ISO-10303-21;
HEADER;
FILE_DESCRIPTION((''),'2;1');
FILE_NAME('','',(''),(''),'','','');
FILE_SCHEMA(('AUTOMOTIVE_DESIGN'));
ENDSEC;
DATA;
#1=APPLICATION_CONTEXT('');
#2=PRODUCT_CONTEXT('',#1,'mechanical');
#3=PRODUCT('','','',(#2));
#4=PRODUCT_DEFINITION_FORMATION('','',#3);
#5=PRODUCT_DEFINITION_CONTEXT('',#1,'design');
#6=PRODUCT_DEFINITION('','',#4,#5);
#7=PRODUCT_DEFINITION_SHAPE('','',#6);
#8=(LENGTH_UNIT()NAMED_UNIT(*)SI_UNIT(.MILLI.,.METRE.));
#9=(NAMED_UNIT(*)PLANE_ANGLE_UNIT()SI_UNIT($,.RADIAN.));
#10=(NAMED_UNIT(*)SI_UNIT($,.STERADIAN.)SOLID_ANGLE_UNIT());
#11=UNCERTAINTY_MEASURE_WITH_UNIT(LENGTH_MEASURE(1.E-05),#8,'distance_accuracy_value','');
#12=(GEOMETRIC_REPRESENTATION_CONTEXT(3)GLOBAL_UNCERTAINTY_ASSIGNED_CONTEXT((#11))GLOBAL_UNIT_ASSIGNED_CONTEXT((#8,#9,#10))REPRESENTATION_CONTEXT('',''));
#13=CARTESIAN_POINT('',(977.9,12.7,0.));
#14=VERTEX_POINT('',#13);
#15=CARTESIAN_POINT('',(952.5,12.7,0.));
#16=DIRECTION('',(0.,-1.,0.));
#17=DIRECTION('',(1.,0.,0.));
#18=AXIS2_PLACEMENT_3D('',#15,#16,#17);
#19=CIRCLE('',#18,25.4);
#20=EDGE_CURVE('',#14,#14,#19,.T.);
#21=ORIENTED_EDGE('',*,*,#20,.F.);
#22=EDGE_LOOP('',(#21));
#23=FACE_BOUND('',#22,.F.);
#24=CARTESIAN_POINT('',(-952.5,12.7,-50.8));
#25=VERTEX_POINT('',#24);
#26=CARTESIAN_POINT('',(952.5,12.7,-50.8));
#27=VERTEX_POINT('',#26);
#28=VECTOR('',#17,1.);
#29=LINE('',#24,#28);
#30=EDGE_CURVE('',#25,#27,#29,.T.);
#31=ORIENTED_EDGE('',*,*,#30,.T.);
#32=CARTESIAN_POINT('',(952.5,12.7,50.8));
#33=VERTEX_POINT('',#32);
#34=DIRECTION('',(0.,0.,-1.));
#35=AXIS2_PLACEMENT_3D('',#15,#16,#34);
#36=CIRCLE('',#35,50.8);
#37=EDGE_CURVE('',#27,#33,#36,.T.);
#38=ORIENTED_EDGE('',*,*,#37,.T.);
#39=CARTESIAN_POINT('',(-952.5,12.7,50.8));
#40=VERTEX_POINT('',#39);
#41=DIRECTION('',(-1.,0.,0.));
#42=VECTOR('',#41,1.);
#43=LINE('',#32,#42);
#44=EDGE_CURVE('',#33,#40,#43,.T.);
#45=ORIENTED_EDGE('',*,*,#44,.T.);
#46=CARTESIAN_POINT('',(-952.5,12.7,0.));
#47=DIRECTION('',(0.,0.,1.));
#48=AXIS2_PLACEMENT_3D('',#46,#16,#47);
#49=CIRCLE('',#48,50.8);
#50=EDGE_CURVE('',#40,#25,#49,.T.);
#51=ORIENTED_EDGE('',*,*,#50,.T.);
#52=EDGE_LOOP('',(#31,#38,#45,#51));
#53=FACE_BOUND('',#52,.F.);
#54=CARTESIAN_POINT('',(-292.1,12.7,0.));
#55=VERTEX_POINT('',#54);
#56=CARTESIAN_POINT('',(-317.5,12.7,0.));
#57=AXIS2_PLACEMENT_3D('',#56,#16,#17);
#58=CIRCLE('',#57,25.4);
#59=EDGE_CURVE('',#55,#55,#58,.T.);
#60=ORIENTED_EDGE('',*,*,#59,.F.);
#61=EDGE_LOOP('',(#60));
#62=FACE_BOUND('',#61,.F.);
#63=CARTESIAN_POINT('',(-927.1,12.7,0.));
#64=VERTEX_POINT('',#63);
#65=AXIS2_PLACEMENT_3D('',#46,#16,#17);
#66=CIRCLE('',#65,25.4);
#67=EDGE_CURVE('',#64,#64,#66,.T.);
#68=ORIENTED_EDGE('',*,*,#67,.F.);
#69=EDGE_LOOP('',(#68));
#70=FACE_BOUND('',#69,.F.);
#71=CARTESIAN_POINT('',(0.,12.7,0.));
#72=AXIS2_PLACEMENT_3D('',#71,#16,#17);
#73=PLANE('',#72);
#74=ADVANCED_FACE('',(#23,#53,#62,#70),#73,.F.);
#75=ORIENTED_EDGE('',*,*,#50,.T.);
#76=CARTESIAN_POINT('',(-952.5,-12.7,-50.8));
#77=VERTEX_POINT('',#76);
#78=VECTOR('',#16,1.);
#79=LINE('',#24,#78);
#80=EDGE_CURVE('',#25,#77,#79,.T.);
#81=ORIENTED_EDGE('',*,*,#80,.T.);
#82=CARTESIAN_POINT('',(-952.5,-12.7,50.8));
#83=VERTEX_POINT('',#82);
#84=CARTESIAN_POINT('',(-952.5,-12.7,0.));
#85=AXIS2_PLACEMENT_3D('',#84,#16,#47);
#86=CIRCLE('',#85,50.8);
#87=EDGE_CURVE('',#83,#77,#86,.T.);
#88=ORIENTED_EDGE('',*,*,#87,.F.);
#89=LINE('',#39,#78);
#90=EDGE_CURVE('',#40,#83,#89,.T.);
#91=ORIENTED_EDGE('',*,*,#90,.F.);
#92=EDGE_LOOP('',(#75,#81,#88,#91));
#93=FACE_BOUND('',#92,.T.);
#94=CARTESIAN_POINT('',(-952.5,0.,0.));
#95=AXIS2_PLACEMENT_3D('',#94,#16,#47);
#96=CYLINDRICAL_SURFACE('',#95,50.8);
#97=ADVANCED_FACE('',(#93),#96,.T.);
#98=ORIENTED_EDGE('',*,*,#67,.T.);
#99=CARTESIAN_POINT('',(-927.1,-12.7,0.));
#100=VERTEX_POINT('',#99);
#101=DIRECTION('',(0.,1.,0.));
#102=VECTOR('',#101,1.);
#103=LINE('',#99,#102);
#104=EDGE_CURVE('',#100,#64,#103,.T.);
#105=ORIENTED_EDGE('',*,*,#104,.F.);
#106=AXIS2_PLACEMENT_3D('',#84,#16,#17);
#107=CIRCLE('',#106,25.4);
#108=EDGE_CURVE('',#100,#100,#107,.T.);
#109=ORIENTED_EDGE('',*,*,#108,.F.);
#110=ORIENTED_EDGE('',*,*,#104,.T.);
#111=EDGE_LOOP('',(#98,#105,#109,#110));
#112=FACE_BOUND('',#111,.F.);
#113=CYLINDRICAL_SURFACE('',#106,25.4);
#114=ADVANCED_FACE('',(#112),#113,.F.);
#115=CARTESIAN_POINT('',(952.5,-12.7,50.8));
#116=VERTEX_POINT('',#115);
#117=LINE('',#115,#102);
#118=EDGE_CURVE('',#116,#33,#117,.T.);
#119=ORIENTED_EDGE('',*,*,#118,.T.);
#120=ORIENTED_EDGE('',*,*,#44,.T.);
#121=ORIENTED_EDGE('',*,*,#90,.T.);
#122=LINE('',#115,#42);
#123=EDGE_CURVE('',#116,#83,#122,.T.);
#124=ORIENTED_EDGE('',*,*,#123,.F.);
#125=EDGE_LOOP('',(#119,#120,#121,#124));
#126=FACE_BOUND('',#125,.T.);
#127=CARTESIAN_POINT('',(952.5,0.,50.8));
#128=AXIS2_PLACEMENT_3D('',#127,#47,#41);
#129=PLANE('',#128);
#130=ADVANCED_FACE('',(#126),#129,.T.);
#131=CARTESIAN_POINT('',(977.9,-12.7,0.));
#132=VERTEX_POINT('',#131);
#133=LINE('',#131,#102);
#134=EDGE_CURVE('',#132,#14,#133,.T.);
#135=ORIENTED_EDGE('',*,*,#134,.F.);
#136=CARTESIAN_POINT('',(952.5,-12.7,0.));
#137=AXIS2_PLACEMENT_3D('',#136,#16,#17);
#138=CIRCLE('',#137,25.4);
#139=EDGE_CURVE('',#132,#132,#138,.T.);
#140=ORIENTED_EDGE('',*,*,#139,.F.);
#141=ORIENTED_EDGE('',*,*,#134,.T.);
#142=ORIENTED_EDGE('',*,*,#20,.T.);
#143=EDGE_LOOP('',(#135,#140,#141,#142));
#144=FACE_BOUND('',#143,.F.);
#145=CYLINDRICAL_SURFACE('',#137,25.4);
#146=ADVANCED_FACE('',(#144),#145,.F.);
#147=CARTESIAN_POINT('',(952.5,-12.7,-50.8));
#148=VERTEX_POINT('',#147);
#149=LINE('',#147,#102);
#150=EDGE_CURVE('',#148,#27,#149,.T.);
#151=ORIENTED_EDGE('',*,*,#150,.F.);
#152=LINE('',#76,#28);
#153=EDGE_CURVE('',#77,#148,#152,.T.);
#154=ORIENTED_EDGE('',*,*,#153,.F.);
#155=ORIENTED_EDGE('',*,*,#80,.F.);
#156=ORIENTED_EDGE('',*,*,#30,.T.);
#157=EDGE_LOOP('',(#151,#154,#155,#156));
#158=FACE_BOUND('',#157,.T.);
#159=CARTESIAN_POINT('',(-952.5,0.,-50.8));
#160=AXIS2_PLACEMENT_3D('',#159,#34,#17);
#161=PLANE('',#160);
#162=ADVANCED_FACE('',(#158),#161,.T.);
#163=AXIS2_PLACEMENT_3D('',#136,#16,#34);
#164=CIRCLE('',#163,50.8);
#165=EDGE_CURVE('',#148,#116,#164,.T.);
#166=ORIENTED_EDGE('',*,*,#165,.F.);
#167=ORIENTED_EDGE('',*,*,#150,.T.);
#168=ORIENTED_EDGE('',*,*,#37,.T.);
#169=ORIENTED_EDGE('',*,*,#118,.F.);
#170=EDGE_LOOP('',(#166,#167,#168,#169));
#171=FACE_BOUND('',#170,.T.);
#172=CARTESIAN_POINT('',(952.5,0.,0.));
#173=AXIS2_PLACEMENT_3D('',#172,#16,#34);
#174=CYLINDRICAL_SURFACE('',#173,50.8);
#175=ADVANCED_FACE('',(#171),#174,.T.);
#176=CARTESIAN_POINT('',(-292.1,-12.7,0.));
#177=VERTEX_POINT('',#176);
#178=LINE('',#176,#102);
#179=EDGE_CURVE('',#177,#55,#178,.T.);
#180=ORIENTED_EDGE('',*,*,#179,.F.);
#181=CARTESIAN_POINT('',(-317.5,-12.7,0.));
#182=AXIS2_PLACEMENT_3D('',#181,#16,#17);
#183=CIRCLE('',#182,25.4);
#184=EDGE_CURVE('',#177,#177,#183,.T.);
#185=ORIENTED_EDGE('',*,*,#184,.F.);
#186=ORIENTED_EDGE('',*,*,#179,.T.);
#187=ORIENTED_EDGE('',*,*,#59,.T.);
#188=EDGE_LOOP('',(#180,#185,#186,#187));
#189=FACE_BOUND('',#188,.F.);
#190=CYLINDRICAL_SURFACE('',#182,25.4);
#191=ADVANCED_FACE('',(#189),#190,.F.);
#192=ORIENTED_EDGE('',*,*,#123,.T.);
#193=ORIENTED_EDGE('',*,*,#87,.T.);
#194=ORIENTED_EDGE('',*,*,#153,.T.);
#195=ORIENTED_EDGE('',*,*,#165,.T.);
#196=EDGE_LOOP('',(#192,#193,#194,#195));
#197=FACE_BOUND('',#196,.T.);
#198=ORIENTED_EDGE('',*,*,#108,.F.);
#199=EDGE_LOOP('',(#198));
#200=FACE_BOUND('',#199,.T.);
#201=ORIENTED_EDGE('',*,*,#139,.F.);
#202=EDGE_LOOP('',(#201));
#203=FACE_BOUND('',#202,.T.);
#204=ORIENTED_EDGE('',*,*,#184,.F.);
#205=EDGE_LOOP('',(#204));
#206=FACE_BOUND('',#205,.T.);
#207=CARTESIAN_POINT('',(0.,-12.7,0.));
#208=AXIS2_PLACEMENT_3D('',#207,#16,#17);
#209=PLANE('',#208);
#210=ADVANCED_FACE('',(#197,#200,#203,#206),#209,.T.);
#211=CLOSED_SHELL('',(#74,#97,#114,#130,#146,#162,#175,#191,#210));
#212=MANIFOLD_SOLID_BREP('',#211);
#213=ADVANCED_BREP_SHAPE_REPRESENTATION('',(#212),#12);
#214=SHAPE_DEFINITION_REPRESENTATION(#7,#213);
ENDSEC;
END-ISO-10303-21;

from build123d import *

# Parameters (mm, degrees)
F1_DEPTH = 12.7
F2_R     = 25.4
F3_DEPTH = 25.401


with BuildPart() as f1:
    # F0 (on Front) → F1 (new body, symmetric)
    with BuildSketch(Plane.XZ):
        with BuildLine():
            Line((952.5, 50.8), (-952.5, 50.8))
            ThreePointArc((-952.5, 50.8), (-1003.3, 0), (-952.5, -50.8))
            Line((-952.5, -50.8), (952.5, -50.8))
            ThreePointArc((952.5, -50.8), (1003.3, 0), (952.5, 50.8))
        make_face()
    extrude(amount=F1_DEPTH, both=True)

    # F2 (on face) → F3 (cut, through all)
    with BuildSketch(Plane.XZ.offset(12.7)):
        with Locations((-952.5, 0)):
            Circle(F2_R)
        with Locations((952.5, 0)):
            Circle(F2_R)
        with Locations((-317.5, 0)):
            Circle(F2_R)
    extrude(amount=-F3_DEPTH, mode=Mode.SUBTRACT)


solid = f1.part
